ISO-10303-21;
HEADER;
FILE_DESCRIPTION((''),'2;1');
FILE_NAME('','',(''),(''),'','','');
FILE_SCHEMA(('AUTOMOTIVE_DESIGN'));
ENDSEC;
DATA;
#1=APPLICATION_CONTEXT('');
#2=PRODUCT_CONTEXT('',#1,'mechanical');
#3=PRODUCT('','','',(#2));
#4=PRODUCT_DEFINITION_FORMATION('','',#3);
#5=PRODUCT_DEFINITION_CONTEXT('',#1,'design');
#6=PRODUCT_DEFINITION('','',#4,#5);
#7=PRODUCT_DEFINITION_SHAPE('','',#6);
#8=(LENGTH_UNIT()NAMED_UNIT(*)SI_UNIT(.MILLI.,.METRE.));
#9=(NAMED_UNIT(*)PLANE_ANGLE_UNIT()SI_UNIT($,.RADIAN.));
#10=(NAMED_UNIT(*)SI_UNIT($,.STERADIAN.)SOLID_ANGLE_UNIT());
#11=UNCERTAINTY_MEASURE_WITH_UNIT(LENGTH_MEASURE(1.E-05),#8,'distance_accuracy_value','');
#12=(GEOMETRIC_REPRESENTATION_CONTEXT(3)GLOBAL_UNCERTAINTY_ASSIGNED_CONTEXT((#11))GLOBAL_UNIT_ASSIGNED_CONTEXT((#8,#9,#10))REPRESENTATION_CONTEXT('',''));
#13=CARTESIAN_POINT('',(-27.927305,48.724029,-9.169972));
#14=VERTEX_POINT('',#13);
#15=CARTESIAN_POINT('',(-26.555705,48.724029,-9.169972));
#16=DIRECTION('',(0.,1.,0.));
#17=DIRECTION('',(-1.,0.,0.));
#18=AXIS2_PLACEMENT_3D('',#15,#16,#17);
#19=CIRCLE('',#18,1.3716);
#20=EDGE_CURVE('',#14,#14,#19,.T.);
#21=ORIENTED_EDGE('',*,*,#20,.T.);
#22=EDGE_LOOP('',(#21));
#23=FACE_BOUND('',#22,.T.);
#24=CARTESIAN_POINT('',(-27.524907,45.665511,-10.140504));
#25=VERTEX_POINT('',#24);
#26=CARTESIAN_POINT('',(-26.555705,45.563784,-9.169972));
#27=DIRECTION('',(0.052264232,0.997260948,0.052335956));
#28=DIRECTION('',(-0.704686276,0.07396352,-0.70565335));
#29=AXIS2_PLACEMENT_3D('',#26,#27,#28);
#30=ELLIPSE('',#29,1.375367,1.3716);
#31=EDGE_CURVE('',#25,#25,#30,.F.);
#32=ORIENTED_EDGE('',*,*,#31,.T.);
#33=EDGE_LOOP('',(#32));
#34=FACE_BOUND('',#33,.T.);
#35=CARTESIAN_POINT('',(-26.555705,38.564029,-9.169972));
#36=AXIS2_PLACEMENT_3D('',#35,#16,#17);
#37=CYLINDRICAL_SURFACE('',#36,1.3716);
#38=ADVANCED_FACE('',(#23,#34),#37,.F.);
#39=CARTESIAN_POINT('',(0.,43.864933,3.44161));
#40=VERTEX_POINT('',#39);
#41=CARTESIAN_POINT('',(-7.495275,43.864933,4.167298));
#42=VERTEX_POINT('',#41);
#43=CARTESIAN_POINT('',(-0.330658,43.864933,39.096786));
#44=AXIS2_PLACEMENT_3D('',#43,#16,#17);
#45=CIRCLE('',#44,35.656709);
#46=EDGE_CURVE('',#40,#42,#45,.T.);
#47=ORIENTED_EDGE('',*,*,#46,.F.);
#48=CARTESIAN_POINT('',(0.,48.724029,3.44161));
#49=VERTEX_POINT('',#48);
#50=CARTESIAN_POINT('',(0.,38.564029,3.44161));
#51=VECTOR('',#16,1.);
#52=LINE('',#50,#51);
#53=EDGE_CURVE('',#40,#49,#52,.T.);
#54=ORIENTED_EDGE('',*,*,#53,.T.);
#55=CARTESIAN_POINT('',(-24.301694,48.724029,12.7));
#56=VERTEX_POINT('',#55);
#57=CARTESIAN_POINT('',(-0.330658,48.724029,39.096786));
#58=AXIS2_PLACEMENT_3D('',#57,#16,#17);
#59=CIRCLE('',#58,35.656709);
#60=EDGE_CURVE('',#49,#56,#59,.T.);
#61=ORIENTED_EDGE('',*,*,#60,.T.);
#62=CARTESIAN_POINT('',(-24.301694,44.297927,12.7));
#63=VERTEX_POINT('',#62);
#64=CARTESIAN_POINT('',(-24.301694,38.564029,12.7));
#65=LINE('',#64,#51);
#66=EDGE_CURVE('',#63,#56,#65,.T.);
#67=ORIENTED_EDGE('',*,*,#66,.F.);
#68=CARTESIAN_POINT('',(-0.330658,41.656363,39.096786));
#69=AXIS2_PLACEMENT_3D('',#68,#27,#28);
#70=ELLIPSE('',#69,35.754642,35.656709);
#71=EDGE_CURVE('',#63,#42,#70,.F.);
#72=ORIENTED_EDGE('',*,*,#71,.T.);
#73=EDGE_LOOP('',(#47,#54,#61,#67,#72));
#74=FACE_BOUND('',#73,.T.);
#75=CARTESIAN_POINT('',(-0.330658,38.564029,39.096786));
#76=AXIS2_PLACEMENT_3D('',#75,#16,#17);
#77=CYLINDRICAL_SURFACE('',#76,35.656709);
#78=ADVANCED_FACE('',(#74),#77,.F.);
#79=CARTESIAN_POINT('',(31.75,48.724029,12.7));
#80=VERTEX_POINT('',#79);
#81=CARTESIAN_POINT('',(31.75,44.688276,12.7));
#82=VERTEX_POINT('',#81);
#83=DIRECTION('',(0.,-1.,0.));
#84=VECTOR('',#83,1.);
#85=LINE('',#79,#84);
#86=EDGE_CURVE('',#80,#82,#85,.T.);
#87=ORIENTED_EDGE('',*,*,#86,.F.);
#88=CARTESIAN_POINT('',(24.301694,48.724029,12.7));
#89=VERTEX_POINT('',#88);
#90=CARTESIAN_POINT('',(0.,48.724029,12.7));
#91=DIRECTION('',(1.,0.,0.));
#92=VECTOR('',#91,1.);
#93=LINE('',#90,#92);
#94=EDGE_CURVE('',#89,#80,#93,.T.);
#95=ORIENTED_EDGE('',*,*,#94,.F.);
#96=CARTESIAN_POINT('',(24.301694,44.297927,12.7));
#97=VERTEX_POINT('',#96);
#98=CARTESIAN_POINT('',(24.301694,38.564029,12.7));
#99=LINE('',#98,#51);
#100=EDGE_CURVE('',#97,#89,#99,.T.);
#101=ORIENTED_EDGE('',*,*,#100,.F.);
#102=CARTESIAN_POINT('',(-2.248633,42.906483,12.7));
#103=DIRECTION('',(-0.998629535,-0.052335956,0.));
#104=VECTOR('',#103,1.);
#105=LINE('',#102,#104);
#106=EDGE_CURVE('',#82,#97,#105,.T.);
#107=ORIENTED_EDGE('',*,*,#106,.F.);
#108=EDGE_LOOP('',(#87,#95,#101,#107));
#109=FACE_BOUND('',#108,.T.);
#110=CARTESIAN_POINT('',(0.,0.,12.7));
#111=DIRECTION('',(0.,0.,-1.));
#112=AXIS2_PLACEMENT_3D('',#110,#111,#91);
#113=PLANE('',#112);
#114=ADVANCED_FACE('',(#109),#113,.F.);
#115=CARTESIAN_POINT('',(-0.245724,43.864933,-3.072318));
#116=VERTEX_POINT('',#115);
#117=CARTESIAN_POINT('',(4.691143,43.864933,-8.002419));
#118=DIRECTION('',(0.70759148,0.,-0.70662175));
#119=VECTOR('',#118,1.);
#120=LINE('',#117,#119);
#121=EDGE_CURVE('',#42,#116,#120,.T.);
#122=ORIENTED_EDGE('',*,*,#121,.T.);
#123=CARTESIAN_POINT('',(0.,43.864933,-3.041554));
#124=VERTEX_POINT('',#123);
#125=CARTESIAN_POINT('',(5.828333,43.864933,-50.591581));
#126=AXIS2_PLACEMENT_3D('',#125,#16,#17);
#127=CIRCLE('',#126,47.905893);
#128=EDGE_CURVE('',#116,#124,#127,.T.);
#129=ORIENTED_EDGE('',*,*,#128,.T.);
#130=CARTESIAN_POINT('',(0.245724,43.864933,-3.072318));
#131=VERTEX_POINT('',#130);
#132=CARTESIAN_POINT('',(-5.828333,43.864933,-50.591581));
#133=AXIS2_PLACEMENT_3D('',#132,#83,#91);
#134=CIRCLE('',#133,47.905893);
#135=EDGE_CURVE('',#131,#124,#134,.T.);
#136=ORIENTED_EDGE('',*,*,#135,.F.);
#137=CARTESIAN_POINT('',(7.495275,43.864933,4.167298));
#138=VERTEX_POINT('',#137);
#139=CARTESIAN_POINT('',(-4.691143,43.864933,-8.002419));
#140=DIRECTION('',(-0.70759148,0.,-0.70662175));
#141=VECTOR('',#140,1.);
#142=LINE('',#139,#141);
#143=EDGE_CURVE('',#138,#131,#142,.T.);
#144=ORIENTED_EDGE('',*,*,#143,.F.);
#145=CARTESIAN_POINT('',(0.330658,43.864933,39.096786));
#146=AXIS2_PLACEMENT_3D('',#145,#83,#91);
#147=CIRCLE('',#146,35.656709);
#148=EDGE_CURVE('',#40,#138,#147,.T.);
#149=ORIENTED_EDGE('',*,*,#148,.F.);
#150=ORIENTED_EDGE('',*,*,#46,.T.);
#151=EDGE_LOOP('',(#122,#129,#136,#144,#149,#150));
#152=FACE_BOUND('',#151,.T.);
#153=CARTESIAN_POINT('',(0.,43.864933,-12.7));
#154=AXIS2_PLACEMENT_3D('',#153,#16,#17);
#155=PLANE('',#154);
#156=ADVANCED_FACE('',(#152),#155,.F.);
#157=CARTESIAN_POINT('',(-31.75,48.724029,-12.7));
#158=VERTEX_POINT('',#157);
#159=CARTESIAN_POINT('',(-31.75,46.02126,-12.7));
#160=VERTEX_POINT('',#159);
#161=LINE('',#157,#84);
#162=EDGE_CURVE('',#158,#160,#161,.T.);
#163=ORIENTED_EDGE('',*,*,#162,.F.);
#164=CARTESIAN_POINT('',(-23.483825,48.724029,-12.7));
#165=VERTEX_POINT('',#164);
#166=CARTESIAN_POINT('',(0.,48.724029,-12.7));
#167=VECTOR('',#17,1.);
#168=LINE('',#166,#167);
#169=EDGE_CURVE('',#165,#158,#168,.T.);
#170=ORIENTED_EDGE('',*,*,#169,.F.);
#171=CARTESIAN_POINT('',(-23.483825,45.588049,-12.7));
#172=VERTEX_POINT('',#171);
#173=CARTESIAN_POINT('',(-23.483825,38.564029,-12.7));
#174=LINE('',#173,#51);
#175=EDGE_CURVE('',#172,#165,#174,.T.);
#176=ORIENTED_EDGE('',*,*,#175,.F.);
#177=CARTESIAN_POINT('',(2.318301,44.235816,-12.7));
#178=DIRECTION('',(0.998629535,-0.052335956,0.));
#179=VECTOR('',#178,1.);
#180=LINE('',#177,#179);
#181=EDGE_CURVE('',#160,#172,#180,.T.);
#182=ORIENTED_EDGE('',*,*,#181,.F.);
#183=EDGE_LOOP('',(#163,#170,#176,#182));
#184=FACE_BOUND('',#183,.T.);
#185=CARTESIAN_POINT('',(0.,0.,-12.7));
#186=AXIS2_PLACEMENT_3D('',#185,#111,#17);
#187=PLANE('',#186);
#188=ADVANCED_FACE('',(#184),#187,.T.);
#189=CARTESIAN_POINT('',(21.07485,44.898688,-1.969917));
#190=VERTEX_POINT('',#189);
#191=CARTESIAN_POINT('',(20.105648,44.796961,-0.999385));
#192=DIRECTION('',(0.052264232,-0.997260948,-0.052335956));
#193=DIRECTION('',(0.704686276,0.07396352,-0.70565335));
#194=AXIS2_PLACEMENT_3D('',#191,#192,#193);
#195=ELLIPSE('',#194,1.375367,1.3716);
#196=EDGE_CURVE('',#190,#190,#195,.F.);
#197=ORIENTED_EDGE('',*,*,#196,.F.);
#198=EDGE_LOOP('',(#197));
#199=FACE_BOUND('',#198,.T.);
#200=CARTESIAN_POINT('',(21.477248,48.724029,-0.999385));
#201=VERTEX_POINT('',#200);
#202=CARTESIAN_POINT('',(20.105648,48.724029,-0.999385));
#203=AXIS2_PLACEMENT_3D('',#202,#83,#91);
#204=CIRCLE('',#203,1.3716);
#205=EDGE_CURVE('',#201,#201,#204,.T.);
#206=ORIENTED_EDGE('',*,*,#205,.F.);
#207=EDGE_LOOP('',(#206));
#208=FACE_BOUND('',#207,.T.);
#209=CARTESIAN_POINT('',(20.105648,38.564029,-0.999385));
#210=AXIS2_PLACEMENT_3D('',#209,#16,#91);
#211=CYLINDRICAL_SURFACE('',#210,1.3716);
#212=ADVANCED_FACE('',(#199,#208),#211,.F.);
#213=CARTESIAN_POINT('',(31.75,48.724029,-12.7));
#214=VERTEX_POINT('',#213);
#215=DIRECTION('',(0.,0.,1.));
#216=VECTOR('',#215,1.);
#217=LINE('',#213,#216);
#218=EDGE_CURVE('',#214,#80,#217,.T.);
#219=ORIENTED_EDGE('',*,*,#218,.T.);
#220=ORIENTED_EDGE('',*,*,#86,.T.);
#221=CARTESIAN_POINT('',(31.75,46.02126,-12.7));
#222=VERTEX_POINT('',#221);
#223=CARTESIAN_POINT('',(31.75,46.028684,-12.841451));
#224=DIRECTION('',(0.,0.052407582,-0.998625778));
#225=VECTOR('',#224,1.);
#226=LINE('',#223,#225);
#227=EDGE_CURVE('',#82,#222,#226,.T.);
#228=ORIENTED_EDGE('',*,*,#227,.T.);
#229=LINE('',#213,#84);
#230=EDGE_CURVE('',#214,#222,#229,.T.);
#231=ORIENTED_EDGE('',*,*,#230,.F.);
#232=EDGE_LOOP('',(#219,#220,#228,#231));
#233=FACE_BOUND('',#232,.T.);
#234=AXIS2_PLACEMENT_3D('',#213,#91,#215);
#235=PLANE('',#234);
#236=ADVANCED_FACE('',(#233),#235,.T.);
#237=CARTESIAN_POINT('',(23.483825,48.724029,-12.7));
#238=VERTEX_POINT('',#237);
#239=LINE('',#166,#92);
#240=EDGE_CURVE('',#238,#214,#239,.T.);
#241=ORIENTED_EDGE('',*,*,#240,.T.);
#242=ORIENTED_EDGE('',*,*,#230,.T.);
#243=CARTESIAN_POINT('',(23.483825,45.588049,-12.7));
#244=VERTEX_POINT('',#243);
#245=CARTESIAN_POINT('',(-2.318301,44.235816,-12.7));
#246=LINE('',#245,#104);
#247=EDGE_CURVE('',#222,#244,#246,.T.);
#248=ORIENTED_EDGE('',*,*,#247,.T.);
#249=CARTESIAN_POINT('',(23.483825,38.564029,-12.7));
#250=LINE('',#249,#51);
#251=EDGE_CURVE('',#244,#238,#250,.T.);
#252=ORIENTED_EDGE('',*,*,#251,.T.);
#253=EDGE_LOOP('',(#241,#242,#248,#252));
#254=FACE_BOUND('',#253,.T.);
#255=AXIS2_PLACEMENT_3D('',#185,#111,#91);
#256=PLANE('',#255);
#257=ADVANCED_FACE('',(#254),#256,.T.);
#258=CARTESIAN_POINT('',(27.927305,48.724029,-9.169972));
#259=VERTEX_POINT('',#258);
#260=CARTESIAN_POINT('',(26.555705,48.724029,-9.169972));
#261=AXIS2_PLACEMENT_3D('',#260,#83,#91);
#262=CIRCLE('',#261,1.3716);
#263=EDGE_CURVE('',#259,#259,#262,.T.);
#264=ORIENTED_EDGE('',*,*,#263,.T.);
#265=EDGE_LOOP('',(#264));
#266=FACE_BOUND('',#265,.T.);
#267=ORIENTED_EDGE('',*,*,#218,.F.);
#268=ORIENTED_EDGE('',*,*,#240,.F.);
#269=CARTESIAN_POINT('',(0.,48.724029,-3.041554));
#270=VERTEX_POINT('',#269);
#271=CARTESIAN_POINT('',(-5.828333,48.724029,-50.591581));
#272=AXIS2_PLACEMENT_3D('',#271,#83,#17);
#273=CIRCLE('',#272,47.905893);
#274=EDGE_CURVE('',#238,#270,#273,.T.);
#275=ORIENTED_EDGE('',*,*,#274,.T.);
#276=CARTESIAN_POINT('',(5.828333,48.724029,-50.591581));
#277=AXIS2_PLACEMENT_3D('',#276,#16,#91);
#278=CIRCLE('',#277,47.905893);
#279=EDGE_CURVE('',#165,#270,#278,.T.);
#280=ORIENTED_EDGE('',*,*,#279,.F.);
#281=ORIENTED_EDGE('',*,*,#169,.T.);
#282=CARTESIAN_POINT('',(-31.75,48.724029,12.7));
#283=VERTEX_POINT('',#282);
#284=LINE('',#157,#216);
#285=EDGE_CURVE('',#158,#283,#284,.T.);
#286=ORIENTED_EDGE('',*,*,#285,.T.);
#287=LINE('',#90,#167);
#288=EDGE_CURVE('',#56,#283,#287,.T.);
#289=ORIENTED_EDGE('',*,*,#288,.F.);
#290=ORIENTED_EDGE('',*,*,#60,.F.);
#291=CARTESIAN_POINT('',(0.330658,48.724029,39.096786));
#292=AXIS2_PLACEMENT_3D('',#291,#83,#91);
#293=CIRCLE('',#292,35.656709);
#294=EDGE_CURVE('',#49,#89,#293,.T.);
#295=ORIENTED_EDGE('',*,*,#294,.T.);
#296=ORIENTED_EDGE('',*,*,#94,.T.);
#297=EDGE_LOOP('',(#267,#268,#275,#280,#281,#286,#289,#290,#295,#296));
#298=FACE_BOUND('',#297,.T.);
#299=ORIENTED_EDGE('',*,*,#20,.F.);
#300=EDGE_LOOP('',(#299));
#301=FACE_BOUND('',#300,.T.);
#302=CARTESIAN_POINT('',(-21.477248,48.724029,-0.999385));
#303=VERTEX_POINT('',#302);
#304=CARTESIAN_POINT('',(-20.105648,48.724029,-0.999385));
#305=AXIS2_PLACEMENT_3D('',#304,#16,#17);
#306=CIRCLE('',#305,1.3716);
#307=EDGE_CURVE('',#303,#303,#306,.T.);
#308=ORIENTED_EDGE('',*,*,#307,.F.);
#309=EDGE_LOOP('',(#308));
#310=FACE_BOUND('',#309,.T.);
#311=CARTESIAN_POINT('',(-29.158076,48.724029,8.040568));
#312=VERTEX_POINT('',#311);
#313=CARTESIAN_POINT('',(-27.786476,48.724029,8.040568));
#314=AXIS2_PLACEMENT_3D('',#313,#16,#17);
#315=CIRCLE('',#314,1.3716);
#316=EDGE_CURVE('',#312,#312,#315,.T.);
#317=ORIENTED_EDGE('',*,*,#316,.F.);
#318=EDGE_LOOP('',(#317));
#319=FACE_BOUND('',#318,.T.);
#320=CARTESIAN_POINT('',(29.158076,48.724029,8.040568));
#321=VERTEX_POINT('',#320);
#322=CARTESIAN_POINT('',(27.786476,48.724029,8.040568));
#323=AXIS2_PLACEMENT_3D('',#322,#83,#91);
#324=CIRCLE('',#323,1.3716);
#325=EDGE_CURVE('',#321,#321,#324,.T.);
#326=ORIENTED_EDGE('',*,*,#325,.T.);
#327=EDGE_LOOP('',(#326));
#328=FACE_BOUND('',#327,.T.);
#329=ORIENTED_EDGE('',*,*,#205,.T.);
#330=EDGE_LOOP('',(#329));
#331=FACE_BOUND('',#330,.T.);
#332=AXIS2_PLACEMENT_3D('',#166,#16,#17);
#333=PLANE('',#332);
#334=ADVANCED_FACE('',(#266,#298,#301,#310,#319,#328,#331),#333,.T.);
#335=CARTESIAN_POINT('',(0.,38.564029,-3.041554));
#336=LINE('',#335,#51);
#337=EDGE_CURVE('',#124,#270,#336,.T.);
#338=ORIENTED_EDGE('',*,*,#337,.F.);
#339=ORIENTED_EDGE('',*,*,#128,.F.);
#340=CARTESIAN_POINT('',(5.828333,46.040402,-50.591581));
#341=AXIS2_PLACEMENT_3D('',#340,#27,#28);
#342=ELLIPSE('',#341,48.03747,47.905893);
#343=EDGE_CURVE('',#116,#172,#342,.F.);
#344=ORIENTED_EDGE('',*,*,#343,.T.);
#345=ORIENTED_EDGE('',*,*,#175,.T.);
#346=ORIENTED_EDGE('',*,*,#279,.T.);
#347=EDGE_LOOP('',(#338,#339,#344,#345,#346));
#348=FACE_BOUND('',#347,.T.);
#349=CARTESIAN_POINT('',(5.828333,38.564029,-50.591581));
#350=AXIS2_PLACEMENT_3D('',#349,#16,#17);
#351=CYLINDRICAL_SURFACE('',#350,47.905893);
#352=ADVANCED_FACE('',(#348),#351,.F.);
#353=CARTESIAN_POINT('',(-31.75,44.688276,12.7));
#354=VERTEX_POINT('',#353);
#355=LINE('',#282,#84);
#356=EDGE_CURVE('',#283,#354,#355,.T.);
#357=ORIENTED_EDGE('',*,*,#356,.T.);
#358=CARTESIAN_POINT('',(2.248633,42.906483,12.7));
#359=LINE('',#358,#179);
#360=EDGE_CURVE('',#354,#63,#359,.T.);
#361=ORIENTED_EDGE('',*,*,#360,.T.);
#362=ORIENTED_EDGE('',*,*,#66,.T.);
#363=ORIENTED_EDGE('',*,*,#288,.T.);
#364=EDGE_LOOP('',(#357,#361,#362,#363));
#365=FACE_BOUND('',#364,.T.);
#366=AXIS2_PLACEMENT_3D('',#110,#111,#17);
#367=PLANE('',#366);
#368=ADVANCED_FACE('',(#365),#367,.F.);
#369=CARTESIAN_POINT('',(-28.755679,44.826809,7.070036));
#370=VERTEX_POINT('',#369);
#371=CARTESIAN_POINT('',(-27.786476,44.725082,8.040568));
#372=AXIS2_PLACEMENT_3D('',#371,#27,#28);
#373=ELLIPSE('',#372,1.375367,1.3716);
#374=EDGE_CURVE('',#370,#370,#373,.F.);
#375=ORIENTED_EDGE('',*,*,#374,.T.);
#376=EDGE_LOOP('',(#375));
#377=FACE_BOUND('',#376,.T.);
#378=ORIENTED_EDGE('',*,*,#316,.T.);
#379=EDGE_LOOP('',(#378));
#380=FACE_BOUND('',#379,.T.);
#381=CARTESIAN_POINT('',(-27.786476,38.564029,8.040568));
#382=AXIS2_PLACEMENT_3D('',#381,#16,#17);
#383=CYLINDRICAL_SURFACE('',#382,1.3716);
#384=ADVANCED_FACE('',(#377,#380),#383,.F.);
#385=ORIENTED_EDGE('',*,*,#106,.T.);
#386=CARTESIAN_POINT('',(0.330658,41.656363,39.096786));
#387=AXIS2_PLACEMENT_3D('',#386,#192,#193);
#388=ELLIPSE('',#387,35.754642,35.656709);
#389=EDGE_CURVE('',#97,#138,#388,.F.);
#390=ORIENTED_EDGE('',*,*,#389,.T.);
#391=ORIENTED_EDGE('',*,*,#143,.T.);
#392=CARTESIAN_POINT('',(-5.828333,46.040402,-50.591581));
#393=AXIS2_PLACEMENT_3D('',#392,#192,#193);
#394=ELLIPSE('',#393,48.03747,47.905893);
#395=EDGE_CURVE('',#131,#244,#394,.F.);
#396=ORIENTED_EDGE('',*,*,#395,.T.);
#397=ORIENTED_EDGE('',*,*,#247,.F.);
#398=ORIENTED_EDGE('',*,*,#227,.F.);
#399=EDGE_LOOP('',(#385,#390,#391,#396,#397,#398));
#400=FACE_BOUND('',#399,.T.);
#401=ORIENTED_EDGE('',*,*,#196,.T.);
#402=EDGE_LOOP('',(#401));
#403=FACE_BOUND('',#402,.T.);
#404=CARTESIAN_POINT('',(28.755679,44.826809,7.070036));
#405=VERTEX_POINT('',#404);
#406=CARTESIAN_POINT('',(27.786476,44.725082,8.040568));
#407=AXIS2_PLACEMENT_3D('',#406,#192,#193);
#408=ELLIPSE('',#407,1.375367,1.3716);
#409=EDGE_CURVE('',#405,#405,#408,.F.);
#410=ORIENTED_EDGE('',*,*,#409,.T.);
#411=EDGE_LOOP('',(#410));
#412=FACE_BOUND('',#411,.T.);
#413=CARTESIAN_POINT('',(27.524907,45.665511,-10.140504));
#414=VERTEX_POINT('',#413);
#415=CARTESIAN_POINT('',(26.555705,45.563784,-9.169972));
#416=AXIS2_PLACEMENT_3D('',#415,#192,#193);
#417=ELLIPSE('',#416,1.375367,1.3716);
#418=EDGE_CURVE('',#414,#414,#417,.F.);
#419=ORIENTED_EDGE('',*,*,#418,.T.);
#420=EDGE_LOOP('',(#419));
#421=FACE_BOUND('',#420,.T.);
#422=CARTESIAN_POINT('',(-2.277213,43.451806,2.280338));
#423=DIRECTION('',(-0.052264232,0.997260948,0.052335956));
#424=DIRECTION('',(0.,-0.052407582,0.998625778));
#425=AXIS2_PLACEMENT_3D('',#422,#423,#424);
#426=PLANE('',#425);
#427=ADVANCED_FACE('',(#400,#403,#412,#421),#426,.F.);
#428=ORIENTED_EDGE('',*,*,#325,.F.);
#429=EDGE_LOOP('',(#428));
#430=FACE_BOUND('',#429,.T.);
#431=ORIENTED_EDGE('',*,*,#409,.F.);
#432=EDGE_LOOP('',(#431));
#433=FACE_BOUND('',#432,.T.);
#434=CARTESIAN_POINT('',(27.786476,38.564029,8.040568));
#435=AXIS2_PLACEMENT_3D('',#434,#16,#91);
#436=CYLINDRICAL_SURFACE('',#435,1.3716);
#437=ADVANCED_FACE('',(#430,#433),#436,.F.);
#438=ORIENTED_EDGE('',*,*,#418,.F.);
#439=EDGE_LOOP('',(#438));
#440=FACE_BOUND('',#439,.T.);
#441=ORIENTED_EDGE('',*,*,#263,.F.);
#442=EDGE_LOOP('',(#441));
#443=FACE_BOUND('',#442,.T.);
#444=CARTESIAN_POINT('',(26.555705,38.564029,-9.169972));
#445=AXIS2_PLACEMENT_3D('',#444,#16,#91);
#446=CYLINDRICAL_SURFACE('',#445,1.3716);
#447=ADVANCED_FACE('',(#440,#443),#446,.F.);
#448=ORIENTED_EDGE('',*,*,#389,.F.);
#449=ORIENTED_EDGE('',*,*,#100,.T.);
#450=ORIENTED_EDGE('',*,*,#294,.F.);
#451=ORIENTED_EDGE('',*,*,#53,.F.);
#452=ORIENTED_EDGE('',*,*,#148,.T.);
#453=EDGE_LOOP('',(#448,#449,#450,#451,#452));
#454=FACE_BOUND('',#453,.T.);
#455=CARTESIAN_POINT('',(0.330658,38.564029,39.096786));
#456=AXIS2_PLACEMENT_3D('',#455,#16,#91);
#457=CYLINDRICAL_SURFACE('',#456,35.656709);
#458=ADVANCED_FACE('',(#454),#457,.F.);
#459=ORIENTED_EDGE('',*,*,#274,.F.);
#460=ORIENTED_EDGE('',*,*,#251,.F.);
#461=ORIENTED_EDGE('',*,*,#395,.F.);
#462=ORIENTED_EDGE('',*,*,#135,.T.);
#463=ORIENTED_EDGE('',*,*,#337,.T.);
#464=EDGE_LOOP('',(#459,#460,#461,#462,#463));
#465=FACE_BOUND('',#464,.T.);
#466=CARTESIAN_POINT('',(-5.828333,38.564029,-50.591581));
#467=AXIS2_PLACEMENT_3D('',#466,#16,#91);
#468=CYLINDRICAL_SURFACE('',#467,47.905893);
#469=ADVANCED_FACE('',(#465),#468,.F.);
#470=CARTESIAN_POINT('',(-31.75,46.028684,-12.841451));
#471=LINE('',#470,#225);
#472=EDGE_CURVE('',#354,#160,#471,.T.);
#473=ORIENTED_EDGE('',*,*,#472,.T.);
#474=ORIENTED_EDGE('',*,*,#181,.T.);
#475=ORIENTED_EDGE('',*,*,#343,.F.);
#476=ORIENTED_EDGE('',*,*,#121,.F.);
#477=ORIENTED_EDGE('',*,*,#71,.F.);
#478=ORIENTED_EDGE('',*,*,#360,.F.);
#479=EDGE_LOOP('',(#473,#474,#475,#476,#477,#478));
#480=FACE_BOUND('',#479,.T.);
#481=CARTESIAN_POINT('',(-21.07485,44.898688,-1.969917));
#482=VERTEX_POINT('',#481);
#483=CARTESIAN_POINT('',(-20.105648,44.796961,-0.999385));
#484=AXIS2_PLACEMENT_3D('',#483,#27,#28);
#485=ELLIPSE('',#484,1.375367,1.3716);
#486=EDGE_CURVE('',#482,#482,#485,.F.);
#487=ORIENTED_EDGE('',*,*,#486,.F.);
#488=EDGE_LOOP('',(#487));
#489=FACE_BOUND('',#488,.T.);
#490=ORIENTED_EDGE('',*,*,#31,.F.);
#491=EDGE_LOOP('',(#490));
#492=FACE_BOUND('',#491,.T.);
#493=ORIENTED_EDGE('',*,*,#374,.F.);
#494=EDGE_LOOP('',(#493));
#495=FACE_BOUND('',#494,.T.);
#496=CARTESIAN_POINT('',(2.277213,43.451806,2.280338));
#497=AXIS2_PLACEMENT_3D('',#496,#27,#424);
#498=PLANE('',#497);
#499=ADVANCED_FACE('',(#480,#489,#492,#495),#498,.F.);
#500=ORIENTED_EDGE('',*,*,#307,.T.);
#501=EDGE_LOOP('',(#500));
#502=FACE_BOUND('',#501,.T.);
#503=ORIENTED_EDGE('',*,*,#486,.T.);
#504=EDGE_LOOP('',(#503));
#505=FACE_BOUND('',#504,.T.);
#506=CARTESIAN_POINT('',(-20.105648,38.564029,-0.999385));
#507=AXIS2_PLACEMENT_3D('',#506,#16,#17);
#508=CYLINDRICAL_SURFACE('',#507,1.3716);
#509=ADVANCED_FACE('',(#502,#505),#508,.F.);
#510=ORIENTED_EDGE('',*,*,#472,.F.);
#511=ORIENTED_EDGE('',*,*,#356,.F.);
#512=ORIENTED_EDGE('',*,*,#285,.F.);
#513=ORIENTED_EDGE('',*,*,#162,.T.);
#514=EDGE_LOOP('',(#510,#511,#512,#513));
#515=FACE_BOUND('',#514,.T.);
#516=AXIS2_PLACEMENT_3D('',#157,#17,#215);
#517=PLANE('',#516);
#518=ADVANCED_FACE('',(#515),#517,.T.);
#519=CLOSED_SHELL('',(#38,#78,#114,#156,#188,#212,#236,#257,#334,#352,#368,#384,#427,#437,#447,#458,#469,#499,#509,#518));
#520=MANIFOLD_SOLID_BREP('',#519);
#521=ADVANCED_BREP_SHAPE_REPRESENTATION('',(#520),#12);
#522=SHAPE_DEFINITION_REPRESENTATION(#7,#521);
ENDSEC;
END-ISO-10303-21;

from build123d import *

# Parameters (mm, degrees)
SKETCH1_W                = 31.75
SKETCH1_H                = 4.859095613
BOSS_EXTRUDE1_DEPTH      = 12.7
BOSS_EXTRUDE1_DEPTH_BACK = 12.7
SKETCH3_R                = 1.3716
CUT_EXTRUDE1_DEPTH       = 10.16


with BuildPart() as part:
    # Sketch1 → Boss-Extrude1 (new, two sides)
    with BuildSketch(Plane.XY) as boss_extrude1_sk:
        with Locations((-15.875, 46.294481234)):
            Rectangle(SKETCH1_W, SKETCH1_H)
    extrude(amount=BOSS_EXTRUDE1_DEPTH)
    extrude(boss_extrude1_sk.sketch, amount=-BOSS_EXTRUDE1_DEPTH_BACK)

    # Sketch3 → Cut-Extrude1 (cut)
    with BuildSketch(Plane(origin=(0, 48.72402904, 0), x_dir=(1, 0, 0), z_dir=(0, 1, 0))):
        with Locations(Location((-20.105647723, 0.999384842, 0), (0, 0, 180))):
            Circle(SKETCH3_R)
        with Locations(Location((-26.555704526, 9.169971692, 0), (0, 0, 180))):
            Circle(SKETCH3_R)
        with Locations(Location((-27.786476371, -8.040568412, 0), (0, 0, 180))):
            Circle(SKETCH3_R)
        with BuildLine():
            Line((0, 3.041554035), (0, 12.7))
            Line((0, 12.7), (-23.483825151, 12.7))
            ThreePointArc((-23.483825151, 12.7), (-12.393492486, 6.286506758), (0, 3.041554035))
        make_face()
        with BuildLine():
            Line((0, -3.441610433), (0, -12.7))
            Line((0, -12.7), (-24.301693504, -12.7))
            ThreePointArc((-24.301693504, -12.7), (-13.024999481, -5.776303398), (0, -3.441610433))
        make_face()
    extrude(amount=-CUT_EXTRUDE1_DEPTH, mode=Mode.SUBTRACT)

    # SurfaceCut1
    split(bisect_by=Plane(origin=(2.277212667, 43.451806158, 2.28033779), x_dir=(0.9986332910992534, -0.052192408999060975, -0.0027390420129575405), z_dir=(0.05226423163382398, 0.9972609476841369, 0.0523359562429442)), keep=Keep.TOP)

    # Mirror1: part across plane


with BuildPart() as part_1:
    add(part.part)
    add(part.part.mirror(Plane(origin=(0, 48.72402904, -12.7), x_dir=(0, 0, 1), z_dir=(-1, 0, 0))))


solid = part_1.part
